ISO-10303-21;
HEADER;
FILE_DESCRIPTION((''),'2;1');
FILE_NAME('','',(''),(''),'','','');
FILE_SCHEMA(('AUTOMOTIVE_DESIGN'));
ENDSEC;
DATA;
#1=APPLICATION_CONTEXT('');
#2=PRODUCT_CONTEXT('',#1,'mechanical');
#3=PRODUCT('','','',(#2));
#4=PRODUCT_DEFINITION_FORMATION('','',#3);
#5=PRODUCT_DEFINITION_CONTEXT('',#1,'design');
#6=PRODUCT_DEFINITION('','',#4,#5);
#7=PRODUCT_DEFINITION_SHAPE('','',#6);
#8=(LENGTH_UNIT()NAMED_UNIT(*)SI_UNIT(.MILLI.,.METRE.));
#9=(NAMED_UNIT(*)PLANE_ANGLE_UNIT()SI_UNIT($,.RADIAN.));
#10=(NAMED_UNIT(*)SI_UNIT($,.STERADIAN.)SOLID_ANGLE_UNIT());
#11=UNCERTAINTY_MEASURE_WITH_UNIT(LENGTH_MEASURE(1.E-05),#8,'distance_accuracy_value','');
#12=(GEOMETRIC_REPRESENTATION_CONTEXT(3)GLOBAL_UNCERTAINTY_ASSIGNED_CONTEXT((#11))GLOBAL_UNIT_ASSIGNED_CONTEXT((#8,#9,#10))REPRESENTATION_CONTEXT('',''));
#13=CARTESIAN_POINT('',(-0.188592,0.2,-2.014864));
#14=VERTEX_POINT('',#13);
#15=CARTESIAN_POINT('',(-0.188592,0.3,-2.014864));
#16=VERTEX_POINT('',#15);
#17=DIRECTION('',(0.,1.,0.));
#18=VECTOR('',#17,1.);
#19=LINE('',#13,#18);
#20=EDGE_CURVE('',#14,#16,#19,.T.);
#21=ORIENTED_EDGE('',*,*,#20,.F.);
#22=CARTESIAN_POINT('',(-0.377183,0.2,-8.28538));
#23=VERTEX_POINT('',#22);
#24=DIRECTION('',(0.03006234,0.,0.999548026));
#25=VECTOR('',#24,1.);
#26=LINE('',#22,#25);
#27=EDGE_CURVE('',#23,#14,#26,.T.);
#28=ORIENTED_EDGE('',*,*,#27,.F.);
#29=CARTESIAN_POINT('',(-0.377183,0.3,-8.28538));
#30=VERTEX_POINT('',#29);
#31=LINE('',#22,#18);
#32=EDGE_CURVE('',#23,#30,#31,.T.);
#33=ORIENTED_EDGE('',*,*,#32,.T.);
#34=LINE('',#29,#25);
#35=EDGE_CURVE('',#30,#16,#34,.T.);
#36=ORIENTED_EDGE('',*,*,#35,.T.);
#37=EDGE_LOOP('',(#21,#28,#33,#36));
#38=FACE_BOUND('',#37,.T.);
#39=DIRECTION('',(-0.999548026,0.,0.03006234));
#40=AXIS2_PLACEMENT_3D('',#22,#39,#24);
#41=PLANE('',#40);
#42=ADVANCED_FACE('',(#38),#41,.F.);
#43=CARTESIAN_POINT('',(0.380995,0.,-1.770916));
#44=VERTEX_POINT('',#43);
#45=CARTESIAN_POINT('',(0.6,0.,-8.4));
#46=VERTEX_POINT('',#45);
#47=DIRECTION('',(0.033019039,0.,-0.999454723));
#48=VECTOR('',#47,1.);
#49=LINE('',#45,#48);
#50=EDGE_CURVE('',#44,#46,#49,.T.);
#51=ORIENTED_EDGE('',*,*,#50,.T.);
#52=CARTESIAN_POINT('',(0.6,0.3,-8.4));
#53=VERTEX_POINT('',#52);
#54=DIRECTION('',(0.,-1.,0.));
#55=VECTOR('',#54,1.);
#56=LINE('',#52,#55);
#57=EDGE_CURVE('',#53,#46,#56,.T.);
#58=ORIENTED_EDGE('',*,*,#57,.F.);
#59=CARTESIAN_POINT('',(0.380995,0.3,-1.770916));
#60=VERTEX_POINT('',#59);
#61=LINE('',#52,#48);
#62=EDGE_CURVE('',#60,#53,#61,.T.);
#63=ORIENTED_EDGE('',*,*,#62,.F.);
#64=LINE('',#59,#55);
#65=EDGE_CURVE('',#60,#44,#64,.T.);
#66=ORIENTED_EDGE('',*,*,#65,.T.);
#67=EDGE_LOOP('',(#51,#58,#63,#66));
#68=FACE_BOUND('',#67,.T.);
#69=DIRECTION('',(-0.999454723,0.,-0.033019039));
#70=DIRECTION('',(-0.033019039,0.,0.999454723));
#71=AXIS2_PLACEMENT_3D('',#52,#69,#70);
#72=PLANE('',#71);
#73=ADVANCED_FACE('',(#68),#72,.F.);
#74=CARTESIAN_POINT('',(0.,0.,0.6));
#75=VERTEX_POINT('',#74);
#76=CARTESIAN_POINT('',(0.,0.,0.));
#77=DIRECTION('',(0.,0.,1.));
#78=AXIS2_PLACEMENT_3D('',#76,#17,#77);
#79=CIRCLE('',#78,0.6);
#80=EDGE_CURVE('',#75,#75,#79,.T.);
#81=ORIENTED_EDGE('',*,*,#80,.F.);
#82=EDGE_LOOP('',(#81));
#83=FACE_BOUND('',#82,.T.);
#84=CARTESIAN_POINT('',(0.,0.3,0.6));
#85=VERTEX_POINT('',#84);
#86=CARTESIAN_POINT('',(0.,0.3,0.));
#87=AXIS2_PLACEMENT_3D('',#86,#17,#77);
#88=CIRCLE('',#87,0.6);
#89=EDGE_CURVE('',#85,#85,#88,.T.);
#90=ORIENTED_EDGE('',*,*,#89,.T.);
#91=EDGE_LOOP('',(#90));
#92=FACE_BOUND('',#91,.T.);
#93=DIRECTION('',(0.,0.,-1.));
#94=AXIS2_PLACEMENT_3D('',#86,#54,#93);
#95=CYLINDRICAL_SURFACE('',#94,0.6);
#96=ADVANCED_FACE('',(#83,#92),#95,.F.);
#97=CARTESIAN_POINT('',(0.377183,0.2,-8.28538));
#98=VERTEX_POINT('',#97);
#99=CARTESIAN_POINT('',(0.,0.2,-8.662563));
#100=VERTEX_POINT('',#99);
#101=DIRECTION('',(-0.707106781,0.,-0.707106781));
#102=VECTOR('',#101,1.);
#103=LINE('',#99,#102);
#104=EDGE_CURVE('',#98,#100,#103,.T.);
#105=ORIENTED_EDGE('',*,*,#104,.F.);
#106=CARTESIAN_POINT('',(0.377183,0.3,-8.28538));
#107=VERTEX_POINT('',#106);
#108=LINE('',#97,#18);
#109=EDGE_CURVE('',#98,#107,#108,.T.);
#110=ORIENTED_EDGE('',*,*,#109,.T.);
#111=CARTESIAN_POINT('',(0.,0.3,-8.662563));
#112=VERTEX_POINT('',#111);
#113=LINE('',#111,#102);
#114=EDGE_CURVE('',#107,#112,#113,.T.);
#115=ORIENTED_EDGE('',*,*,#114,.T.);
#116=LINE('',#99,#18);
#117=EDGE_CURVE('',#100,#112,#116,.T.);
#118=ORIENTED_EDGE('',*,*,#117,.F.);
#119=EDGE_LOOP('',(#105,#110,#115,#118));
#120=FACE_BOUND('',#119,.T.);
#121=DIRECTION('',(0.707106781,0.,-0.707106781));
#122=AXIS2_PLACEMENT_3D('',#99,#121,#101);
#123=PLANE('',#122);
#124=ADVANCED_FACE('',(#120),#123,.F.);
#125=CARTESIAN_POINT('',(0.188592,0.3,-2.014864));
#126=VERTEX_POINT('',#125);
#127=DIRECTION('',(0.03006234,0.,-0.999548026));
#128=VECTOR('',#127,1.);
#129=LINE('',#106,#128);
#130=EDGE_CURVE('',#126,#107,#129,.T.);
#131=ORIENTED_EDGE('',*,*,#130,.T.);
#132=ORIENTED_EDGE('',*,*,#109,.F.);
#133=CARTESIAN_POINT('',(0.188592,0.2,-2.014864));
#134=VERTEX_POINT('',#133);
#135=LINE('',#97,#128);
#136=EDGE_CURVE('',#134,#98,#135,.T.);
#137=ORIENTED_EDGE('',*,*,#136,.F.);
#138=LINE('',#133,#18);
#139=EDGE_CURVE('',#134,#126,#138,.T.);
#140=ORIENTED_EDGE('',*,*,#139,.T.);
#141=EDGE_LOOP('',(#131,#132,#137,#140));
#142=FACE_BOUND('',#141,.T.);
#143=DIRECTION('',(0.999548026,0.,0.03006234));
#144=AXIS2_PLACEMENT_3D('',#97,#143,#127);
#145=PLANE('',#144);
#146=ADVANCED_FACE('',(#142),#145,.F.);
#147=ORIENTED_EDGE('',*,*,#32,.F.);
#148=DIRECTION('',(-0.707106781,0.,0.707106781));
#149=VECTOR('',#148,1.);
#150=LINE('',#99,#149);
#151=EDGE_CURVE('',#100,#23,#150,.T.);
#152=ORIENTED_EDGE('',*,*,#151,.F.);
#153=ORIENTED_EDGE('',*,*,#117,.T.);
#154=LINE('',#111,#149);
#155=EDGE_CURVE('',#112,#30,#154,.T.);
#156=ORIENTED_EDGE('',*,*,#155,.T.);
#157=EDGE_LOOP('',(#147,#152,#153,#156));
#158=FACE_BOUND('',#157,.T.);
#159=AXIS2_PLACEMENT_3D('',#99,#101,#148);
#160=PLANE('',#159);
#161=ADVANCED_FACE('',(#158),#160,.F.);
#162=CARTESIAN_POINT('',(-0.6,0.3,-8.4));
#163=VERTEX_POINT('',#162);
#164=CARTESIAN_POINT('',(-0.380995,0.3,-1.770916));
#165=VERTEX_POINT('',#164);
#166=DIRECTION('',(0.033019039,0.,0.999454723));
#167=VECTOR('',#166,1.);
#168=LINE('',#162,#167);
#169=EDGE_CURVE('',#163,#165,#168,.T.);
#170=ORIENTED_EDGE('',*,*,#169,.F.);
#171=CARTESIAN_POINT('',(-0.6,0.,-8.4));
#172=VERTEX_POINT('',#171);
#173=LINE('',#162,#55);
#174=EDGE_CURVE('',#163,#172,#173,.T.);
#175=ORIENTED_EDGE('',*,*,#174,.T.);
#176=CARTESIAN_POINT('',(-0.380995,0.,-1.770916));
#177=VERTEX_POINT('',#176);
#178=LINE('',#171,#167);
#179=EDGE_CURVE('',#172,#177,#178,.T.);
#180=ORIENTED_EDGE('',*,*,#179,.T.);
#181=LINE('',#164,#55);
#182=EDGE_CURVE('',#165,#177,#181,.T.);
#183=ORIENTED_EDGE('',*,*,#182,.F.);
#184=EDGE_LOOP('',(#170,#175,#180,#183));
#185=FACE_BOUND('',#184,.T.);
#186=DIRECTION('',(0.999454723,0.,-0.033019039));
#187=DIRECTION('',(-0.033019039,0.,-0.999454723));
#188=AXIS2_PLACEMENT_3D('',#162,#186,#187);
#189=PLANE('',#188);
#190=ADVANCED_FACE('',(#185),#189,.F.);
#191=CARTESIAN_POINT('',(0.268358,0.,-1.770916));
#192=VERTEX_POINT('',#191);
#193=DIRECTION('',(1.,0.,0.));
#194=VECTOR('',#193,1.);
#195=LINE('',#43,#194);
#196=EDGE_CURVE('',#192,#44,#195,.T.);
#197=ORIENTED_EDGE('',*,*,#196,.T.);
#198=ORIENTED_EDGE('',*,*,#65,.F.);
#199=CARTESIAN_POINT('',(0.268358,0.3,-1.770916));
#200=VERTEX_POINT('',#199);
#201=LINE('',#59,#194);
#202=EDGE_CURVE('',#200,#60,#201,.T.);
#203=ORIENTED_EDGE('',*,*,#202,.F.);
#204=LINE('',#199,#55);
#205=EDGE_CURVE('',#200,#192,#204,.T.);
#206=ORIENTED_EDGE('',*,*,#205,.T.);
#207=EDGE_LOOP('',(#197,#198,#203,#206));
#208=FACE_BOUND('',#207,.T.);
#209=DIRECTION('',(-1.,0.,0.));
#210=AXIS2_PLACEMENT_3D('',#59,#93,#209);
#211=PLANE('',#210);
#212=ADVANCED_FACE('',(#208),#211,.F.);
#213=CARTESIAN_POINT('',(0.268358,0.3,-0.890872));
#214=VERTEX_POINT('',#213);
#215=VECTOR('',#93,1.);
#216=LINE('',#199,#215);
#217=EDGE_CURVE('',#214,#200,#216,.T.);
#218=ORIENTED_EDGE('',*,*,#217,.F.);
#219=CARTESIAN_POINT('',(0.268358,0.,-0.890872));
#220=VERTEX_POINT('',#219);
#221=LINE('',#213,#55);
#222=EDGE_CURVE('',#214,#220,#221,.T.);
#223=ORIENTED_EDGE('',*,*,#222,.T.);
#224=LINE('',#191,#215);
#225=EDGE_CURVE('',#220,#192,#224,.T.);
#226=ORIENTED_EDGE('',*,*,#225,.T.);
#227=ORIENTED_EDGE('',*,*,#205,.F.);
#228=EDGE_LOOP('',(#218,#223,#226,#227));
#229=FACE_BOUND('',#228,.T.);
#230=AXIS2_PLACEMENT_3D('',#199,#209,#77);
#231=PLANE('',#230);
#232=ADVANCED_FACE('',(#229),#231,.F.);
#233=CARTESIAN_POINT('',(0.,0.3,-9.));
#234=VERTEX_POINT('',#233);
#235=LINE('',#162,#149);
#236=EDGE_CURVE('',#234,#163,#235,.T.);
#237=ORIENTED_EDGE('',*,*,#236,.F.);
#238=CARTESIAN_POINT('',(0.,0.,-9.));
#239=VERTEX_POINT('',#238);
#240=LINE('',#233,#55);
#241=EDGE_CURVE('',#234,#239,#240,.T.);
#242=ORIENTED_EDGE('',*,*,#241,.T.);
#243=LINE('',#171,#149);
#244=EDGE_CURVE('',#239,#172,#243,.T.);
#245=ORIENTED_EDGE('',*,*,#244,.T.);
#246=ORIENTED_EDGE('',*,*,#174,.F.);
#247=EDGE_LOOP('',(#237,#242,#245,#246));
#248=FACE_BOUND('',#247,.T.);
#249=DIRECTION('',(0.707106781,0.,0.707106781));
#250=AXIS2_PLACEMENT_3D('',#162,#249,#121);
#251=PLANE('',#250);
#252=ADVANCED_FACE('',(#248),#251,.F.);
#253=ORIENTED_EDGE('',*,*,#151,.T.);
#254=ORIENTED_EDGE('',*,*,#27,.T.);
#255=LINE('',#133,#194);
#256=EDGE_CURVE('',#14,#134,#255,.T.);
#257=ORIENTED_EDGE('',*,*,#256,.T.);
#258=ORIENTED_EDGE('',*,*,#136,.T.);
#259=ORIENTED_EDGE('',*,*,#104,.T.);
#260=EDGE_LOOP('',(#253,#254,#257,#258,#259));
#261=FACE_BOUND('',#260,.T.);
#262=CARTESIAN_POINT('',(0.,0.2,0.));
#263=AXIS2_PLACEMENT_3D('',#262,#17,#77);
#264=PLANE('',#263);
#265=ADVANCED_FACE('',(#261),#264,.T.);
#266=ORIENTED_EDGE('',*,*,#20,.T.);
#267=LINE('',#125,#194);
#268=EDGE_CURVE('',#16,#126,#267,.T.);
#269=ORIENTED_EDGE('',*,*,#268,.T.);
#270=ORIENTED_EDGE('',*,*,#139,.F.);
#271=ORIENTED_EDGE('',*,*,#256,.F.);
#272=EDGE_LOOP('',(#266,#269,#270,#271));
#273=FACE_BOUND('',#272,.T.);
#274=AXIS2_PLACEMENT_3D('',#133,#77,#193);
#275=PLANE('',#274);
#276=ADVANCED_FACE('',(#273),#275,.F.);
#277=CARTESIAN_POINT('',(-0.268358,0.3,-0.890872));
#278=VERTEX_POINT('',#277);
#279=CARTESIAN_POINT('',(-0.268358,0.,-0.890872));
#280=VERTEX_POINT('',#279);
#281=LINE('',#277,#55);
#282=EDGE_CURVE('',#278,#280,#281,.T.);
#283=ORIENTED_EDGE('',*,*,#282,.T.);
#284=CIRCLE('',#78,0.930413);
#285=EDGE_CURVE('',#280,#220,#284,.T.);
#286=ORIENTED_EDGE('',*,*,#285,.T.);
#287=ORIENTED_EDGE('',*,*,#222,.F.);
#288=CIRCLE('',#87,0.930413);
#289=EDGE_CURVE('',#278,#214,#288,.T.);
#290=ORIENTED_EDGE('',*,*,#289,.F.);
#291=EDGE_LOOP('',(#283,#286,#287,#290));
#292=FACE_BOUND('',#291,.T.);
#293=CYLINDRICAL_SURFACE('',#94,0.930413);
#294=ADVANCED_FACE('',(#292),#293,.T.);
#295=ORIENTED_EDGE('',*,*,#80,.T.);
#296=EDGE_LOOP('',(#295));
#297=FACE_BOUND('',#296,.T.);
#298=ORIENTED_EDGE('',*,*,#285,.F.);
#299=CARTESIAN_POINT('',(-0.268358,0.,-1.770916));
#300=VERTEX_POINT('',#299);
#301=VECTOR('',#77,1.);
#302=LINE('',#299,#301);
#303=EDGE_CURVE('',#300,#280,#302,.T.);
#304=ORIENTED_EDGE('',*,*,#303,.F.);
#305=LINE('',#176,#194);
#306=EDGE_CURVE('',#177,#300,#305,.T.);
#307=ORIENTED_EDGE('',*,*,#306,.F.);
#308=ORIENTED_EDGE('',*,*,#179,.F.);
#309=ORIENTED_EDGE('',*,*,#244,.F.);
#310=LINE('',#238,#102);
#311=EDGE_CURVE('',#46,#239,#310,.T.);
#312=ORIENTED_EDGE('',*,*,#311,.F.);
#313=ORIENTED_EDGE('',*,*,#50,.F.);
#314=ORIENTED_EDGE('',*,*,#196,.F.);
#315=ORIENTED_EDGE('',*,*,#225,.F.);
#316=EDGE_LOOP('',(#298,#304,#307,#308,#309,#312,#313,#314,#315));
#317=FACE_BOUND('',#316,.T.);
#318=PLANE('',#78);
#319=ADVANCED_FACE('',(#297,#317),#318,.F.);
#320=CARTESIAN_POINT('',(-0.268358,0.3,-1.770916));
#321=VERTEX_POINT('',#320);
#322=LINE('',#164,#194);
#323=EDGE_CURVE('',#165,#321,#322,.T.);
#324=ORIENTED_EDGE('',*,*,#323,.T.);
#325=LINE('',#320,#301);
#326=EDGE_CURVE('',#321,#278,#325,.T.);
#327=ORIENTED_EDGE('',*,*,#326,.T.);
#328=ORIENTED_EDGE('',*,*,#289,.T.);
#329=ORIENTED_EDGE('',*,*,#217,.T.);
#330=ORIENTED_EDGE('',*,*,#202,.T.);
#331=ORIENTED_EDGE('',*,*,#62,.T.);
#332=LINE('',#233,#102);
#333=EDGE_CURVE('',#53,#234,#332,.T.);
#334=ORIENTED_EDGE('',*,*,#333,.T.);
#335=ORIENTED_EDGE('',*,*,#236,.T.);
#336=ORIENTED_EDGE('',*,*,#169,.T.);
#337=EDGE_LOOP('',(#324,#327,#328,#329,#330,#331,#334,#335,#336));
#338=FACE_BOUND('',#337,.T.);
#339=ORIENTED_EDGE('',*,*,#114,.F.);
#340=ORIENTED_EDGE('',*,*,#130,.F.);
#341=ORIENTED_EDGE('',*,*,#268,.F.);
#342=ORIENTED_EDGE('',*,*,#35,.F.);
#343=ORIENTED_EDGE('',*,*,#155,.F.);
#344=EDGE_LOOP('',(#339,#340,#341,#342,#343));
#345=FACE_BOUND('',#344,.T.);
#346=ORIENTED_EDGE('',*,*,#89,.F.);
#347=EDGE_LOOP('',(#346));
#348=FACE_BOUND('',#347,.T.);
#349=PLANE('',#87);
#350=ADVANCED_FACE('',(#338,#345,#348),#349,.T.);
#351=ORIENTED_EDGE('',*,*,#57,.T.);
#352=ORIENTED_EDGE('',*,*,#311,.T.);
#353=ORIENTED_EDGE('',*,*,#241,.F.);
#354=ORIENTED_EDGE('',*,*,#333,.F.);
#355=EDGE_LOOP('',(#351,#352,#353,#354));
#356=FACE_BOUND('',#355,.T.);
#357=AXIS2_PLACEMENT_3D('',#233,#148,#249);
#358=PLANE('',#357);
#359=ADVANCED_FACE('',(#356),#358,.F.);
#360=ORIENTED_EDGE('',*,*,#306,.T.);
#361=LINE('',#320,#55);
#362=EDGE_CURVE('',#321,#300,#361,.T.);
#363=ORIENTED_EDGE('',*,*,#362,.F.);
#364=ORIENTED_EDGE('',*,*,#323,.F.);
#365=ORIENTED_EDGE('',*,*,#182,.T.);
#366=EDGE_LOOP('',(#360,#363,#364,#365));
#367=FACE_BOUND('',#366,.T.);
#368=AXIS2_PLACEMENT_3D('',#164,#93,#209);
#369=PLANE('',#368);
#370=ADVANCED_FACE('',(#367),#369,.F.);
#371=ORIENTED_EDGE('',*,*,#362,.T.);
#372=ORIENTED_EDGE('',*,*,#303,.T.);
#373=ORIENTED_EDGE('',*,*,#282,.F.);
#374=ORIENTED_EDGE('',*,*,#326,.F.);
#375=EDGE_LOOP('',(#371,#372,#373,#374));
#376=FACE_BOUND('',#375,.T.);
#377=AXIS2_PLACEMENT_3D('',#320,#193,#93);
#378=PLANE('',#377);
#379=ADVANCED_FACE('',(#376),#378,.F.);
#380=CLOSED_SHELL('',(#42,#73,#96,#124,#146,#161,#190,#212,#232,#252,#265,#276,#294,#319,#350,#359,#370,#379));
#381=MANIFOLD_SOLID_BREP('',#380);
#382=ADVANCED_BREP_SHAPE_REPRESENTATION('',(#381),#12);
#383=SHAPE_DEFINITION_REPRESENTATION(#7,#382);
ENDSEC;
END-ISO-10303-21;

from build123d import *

# Parameters (mm, degrees)
BOSS_EXTRUDE1_DEPTH = 0.3
SKETCH2_R           = 0.6
CUT_EXTRUDE2_DEPTH  = 0.3
CUT_EXTRUDE3_DEPTH  = 0.1


with BuildPart() as part:
    # Sketch1 → Boss-Extrude1 (new body)
    with BuildSketch(Plane(origin=(0, 0, 0), x_dir=(1, 0, 0), z_dir=(0, 1, 0))):
        with BuildLine():
            Line((-0.268357858, 1.770915819), (-0.268357858, 0.8908721))
            ThreePointArc((-0.268357858, 0.8908721), (0, -0.93041337), (0.268357858, 0.8908721))
            Line((0.268357858, 0.8908721), (0.268357858, 1.770915819))
            Line((0.268357858, 1.770915819), (0.380994594, 1.770915819))
            Line((0.380994594, 1.770915819), (0.6, 8.4))
            Line((0.6, 8.4), (0, 9))
            Line((0, 9), (-0.6, 8.4))
            Line((-0.6, 8.4), (-0.380994594, 1.770915819))
            Line((-0.380994594, 1.770915819), (-0.268357858, 1.770915819))
        make_face()
    extrude(amount=BOSS_EXTRUDE1_DEPTH)

    # Sketch2 → Cut-Extrude2 (cut)
    with BuildSketch(Plane(origin=(0, 0, 0), x_dir=(1, 0, 0), z_dir=(0, 1, 0))):
        Circle(SKETCH2_R)
    extrude(amount=CUT_EXTRUDE2_DEPTH, mode=Mode.SUBTRACT)

    # Sketch4 → Cut-Extrude3 (cut)
    with BuildSketch(Plane(origin=(0, 0.3, 0), x_dir=(1, 0, 0), z_dir=(0, 1, 0))):
        Polygon((0, 8.662563121), (0.377183269, 8.285379851), (0.188591635, 2.014863516), (-0.188591635, 2.014863516), (-0.377183269, 8.285379851), align=None)
    extrude(amount=-CUT_EXTRUDE3_DEPTH, mode=Mode.SUBTRACT)


solid = part.part
